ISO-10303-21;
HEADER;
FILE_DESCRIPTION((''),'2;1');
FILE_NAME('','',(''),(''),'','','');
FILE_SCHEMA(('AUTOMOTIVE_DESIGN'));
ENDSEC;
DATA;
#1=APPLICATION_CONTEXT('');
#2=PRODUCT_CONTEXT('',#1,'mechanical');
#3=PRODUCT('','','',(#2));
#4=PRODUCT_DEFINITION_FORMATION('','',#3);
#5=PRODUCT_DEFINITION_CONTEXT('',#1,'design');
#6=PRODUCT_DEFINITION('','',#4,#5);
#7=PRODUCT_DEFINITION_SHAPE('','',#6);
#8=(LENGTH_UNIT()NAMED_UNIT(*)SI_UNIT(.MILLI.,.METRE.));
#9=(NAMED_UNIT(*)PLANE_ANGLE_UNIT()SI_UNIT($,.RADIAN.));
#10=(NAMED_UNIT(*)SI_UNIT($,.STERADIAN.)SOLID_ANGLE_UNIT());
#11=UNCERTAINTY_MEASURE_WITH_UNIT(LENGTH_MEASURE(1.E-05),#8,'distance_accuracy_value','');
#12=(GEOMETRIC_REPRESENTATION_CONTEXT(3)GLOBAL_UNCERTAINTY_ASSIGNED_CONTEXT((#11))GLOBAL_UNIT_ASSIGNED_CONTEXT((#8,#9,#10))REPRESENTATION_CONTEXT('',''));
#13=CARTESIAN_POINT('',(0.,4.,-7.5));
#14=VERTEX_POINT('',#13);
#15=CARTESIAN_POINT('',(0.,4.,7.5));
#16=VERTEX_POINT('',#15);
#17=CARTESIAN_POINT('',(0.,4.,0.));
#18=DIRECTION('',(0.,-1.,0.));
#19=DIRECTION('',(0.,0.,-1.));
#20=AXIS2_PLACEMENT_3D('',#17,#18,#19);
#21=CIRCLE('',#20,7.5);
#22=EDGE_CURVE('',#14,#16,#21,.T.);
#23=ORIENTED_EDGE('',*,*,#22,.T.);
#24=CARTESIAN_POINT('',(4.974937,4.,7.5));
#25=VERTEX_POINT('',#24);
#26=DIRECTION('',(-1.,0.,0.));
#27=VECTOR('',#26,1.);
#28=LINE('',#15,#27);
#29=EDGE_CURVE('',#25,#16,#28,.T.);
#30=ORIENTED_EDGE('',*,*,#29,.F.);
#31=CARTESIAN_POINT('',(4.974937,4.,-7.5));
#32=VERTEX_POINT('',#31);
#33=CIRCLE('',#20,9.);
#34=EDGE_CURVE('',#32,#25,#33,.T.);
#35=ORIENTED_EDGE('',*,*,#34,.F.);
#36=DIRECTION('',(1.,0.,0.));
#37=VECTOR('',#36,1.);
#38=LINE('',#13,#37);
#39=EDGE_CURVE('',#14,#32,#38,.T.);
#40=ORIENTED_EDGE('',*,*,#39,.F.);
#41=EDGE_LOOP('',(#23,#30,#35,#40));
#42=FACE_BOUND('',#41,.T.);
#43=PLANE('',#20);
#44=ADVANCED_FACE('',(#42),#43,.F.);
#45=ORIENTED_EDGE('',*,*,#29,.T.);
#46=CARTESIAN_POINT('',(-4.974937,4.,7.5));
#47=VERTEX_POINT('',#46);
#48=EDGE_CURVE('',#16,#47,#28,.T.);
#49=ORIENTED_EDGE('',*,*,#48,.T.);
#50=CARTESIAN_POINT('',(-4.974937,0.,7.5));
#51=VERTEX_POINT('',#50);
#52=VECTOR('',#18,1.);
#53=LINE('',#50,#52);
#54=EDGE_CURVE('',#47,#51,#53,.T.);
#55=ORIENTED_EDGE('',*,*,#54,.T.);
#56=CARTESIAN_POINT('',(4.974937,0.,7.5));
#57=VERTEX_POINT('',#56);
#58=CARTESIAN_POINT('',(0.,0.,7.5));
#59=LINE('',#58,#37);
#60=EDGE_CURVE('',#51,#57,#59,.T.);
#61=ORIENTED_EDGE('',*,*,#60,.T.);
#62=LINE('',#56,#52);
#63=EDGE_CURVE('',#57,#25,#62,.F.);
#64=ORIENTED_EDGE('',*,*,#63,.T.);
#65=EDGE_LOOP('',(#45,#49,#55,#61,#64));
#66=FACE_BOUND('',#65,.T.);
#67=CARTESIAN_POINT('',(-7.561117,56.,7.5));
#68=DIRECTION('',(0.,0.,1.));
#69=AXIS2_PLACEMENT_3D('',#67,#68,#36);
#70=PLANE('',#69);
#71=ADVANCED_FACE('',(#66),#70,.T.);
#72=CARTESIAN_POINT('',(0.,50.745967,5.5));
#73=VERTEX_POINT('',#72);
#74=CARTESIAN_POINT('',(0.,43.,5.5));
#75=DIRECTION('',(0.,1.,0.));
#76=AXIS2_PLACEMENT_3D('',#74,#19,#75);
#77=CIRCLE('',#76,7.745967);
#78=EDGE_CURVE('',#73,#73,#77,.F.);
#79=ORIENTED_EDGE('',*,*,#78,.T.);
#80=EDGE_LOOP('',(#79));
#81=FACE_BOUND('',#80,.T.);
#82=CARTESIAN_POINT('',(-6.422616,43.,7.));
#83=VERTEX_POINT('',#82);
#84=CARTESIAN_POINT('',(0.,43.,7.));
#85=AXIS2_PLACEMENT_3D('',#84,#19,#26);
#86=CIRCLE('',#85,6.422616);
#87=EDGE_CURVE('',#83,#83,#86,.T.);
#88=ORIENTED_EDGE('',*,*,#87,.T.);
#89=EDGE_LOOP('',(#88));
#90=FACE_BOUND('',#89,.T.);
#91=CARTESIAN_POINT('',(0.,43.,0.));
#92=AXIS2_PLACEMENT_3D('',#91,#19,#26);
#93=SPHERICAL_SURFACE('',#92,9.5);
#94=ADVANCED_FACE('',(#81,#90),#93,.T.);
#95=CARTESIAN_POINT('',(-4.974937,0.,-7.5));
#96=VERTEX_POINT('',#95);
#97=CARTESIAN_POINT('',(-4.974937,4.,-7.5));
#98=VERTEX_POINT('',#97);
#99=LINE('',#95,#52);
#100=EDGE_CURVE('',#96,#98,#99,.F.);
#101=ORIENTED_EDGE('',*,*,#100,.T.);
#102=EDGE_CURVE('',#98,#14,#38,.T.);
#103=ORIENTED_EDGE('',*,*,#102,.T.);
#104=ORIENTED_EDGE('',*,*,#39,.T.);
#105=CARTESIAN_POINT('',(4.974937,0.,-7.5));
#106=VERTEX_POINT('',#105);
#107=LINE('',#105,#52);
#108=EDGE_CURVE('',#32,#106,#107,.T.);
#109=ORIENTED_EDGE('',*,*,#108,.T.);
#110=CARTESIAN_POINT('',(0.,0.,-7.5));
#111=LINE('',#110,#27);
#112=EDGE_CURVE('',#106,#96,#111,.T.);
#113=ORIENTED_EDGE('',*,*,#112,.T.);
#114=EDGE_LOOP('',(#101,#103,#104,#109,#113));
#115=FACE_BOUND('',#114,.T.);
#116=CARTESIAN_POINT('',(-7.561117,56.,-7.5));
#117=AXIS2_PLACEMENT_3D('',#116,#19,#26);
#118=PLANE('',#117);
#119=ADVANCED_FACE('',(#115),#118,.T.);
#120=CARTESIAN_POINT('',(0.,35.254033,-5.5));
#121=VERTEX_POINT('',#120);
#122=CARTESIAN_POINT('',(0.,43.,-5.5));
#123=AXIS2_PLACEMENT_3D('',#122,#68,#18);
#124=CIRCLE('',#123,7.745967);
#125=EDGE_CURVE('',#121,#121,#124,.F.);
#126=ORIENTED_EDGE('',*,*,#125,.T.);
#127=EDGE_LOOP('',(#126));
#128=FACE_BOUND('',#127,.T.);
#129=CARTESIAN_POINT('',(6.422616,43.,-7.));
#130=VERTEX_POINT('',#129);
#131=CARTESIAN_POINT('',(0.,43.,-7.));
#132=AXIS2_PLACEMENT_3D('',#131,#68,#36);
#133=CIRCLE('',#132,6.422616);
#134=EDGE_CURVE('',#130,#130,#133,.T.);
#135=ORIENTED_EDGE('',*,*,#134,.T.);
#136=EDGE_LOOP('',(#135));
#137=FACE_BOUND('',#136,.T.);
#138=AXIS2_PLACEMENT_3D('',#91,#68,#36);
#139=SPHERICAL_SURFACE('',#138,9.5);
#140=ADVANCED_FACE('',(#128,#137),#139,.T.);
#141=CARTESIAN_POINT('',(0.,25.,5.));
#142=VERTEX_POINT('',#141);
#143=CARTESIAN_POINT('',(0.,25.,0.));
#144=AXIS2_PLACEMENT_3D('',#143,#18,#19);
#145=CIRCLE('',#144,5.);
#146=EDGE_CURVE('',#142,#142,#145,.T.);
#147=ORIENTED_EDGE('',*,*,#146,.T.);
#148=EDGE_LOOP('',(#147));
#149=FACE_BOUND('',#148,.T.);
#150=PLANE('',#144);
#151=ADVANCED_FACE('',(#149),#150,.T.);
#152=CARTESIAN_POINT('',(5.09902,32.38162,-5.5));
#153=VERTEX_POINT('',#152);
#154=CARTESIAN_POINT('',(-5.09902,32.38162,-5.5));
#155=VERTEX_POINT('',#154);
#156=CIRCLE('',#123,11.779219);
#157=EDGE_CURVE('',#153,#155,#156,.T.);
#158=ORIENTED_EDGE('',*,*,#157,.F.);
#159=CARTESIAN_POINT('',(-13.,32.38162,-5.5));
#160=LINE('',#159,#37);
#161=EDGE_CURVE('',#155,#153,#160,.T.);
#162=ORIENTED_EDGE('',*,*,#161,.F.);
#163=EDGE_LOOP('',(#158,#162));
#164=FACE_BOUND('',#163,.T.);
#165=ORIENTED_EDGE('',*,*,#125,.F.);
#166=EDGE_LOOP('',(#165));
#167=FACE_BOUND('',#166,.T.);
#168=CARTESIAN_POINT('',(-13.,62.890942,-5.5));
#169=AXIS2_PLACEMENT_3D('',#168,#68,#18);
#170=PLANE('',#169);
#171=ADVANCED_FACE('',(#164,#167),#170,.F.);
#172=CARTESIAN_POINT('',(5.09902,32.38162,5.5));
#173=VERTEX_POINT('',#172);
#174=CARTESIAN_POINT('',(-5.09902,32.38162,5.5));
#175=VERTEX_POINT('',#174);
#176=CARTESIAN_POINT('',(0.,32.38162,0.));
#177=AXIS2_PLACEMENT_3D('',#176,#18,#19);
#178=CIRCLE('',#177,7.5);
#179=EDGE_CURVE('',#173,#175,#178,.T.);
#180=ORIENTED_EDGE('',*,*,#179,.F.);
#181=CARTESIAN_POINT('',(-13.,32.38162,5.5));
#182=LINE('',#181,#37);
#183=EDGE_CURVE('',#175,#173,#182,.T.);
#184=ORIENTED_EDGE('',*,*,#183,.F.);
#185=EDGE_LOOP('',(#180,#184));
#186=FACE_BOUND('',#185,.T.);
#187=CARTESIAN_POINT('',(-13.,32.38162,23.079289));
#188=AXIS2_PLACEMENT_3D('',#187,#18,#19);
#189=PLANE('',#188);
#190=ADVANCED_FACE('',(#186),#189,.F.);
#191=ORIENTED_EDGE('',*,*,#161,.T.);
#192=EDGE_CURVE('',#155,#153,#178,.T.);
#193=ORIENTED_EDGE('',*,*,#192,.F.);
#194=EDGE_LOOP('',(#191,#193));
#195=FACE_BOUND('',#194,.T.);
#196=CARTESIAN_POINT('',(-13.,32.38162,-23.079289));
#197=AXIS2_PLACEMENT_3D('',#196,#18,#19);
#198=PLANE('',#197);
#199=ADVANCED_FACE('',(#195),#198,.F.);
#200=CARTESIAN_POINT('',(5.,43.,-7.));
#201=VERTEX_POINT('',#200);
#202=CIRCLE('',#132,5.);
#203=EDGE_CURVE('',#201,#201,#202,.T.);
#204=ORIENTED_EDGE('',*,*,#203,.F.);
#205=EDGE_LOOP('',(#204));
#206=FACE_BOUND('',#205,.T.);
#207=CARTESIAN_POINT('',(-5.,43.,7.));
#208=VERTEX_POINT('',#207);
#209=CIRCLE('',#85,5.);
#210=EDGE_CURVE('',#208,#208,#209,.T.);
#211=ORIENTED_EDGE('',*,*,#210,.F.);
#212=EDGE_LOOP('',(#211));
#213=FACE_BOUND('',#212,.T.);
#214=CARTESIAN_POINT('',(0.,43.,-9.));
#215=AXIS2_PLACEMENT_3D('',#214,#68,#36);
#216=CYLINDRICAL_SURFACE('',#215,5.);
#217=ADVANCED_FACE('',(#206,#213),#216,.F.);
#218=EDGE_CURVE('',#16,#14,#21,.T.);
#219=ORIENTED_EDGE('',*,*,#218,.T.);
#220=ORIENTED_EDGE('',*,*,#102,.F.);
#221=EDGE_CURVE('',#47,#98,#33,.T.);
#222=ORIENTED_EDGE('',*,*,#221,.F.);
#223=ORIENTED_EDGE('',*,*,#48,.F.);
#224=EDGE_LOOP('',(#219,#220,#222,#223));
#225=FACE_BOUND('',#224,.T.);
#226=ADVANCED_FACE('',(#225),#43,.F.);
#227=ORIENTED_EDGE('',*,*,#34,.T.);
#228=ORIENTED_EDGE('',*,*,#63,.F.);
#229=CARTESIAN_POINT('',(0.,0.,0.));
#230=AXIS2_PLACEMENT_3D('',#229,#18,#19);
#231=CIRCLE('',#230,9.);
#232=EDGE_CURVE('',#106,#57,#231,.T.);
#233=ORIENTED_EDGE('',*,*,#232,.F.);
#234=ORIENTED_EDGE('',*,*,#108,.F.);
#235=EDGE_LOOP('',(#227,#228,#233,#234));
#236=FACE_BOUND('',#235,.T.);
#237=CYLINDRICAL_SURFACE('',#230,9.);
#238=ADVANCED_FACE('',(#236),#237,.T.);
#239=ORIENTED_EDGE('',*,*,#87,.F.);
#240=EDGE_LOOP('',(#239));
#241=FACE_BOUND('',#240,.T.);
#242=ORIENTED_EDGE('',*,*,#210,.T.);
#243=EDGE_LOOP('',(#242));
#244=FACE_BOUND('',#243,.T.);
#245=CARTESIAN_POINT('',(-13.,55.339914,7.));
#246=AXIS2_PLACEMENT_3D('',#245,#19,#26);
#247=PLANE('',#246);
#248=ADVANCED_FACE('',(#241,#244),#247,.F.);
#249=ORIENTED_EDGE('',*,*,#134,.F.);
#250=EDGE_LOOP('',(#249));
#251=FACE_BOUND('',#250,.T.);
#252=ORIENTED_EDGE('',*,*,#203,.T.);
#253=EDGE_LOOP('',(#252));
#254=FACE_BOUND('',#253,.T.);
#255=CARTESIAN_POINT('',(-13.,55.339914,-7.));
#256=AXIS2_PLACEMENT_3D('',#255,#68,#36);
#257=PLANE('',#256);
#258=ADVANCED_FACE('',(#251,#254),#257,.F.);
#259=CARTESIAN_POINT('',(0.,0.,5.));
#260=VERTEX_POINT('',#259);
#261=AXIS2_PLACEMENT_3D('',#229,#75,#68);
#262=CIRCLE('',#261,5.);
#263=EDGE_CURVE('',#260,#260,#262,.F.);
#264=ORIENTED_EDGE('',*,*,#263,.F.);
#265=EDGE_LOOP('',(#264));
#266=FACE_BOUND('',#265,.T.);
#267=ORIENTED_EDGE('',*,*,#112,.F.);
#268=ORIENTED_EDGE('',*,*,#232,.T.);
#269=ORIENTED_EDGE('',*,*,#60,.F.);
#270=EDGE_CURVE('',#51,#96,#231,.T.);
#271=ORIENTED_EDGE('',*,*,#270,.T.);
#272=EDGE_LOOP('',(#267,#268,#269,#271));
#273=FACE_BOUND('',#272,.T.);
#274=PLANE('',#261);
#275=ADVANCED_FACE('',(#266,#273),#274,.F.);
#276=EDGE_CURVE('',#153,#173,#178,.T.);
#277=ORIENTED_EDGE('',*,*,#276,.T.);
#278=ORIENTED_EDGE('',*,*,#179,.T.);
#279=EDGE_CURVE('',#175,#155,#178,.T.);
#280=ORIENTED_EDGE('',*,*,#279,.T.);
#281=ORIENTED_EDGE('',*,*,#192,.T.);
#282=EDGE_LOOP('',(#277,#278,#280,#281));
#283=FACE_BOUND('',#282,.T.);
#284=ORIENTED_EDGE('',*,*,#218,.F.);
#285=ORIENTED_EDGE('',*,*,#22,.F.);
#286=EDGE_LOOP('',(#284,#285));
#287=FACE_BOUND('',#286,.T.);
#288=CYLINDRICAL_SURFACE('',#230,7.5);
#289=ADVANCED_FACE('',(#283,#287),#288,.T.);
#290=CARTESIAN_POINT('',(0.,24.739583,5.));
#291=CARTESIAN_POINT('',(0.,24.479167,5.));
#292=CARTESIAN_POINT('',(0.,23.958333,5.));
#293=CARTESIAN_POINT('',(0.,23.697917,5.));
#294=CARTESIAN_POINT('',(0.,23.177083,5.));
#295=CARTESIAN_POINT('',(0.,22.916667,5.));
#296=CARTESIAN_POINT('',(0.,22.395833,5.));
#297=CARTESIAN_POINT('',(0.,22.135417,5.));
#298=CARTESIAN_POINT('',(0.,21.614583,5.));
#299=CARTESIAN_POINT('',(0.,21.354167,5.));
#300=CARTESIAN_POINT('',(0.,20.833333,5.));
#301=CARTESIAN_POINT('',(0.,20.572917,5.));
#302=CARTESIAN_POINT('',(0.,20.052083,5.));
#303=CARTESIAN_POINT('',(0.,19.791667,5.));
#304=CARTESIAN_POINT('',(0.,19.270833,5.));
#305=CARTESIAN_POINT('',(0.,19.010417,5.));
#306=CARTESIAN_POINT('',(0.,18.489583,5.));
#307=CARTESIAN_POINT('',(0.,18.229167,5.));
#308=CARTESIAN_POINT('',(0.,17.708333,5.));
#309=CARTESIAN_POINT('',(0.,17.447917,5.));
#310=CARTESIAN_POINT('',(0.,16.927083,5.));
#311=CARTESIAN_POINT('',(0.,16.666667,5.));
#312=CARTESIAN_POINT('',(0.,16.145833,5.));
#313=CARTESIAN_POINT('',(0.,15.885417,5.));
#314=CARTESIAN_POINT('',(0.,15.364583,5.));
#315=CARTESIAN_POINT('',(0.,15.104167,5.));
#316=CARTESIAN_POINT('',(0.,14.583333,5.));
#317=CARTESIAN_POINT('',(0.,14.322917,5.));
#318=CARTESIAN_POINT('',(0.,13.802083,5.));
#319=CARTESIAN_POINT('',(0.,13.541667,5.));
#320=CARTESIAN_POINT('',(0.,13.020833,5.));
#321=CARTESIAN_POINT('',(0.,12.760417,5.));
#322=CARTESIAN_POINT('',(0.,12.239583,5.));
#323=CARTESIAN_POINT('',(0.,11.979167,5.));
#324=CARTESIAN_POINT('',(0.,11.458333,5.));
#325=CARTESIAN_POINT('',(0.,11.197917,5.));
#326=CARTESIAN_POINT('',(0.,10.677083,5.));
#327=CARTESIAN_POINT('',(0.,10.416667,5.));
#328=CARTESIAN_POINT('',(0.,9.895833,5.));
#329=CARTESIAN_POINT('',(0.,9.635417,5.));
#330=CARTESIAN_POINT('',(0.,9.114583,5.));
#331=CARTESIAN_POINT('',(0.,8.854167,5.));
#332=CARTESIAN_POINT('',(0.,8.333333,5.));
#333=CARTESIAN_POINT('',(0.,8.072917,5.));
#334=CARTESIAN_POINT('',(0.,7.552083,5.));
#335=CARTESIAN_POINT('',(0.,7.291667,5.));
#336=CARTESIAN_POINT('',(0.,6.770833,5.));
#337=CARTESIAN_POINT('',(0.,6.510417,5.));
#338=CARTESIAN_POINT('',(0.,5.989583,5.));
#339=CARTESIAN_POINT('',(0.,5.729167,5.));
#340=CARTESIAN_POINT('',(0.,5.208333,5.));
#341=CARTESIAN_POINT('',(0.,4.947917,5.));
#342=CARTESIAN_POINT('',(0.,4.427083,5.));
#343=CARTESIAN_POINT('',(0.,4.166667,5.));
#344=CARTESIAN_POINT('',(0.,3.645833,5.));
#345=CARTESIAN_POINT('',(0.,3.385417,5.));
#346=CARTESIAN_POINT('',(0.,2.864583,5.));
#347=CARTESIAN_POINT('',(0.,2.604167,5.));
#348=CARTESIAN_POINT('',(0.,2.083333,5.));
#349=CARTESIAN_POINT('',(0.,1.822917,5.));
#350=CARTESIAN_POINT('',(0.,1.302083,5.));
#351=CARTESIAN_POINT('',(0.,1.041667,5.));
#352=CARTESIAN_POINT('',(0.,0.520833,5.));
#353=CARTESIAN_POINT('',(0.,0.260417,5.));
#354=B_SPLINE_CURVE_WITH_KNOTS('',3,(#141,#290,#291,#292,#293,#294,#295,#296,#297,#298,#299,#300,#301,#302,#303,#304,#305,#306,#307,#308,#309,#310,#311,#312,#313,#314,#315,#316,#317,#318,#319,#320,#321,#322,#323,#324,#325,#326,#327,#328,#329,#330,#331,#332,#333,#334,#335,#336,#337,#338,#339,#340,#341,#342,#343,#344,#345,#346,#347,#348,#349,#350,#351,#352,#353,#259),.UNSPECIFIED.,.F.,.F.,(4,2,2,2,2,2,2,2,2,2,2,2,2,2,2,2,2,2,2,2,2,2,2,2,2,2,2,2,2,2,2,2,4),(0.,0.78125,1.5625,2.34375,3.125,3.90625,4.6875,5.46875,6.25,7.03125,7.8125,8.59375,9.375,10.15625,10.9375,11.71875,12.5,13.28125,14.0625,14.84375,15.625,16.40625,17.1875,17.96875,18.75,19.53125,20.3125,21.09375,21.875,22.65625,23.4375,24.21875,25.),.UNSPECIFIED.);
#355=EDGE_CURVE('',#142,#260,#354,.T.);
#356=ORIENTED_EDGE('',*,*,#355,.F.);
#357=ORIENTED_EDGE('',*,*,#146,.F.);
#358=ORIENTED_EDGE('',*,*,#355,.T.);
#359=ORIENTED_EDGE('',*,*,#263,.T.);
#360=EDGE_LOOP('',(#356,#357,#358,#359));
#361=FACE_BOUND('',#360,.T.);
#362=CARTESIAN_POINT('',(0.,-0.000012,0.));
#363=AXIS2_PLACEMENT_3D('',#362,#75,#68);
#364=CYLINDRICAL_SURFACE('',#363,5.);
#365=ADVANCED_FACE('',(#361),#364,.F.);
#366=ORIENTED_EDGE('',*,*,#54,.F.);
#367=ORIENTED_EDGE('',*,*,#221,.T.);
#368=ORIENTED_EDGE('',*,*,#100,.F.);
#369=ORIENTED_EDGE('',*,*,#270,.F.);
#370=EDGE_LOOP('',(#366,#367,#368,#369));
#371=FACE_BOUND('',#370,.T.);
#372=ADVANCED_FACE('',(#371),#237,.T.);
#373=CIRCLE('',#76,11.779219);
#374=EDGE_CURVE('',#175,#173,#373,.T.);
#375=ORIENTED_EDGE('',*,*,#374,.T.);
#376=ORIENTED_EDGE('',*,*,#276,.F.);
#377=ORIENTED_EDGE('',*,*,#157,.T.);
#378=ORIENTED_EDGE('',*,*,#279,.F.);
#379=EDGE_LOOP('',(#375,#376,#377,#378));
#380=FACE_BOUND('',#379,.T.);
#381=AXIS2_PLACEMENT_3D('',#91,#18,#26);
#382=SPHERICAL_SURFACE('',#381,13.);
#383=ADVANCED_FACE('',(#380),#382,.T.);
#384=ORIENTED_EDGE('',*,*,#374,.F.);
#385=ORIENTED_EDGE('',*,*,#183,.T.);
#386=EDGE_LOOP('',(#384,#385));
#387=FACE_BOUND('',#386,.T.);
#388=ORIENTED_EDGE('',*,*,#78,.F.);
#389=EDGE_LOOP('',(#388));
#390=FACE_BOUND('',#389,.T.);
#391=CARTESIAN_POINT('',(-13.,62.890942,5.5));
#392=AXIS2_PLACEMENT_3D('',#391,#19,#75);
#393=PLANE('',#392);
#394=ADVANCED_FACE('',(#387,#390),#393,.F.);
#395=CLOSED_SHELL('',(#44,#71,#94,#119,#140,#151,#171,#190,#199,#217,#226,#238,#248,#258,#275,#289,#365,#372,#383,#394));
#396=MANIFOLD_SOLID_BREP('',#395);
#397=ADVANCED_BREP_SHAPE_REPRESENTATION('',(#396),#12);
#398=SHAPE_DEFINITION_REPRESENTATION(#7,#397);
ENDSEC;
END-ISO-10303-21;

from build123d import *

# Parameters (mm, degrees)
CUT_EXTRUDE3_DEPTH      = 59.940648113
CUT_EXTRUDE3_DEPTH_BACK = 59.940648113
SKETCH3_W               = 17.579289035
SKETCH3_H               = 30.509322749
CUT_EXTRUDE4_DEPTH      = 59.268773799
CUT_EXTRUDE4_DEPTH_BACK = 59.268773799
SKETCH4_W               = 14.932737824
SKETCH4_H               = 19.875765969
CUT_EXTRUDE5_DEPTH      = 60.674114991
CUT_EXTRUDE5_DEPTH_BACK = 60.674114991
SKETCH5_R               = 5
CUT_EXTRUDE6_DEPTH      = 59.189346104
CUT_EXTRUDE6_DEPTH_BACK = 59.189346104
SKETCH6_W               = 15.994671042
SKETCH6_H               = 5.292782054
CUT_EXTRUDE7_DEPTH      = 58.976288256
CUT_EXTRUDE7_DEPTH_BACK = 25
SKETCH7_R               = 5


with BuildPart() as part:
    # Sketch1 → Revolve5 (revolve)
    with BuildSketch(Plane.XY):
        with BuildLine():
            Line((0, 52.5), (0, 53.5))
            ThreePointArc((0, 53.5), (-10.5, 43), (0, 32.5))
            Line((0, 32.5), (0, 33.5))
            ThreePointArc((0, 33.5), (-9.5, 43), (0, 52.5))
        make_face()
    revolve(axis=Axis((0, 0, 0), (0, 1, 0)))

    # Sketch1<7> → Revolve6 (revolve)
    with BuildSketch(Plane.XY):
        with BuildLine():
            Line((-7.5, 32.381619709), (-7.5, 4))
            Line((-7.5, 4), (-9, 4))
            Line((-9, 4), (-9, 0))
            Line((-9, 0), (0, 0))
            Line((0, 0), (0, 32.5))
            ThreePointArc((0, 32.5), (-10.5, 43), (0, 53.5))
            Line((0, 53.5), (0, 56))
            ThreePointArc((0, 56), (-12.39029749, 46.934530227), (-7.5, 32.381619709))
        make_face()
    revolve(axis=Axis((0, 0, 0), (0, 1, 0)))

    # Sketch3 → Cut-Extrude3 (cut, two sides: drawn at the far end of the back side and taken through both)
    with BuildSketch(Plane(origin=(0, 0, 0), x_dir=(0, 0, -1), z_dir=(1, 0, 0)).offset(-CUT_EXTRUDE3_DEPTH_BACK)):
        with Locations((-14.289644518, 47.636281084)):
            Rectangle(SKETCH3_W, SKETCH3_H)
        with Locations((14.289644518, 47.636281084)):
            Rectangle(SKETCH3_W, SKETCH3_H)
    extrude(amount=CUT_EXTRUDE3_DEPTH + CUT_EXTRUDE3_DEPTH_BACK, mode=Mode.SUBTRACT)

    # Sketch1<8> → Revolve7 (revolve)
    with BuildSketch(Plane.XY):
        with BuildLine():
            Line((0, 33.5), (0, 52.5))
            ThreePointArc((0, 52.5), (-9.5, 43), (0, 33.5))
        make_face()
    revolve(axis=Axis((0, 0, 0), (0, 1, 0)))

    # Sketch4 → Cut-Extrude4 (cut, two sides: drawn at the far end of the back side and taken through both)
    with BuildSketch(Plane(origin=(0, 0, 0), x_dir=(0, 0, -1), z_dir=(1, 0, 0)).offset(-CUT_EXTRUDE4_DEPTH_BACK)):
        with Locations((-14.466368912, 45.402031304)):
            Rectangle(SKETCH4_W, SKETCH4_H)
        with Locations((14.466368912, 45.402031304)):
            Rectangle(SKETCH4_W, SKETCH4_H)
    extrude(amount=CUT_EXTRUDE4_DEPTH + CUT_EXTRUDE4_DEPTH_BACK, mode=Mode.SUBTRACT)

    # Sketch5 → Cut-Extrude5 (cut, two sides: drawn at the far end of the back side and taken through both)
    with BuildSketch(Plane.XY.offset(7).offset(-CUT_EXTRUDE5_DEPTH_BACK)):
        with Locations((0, 43)):
            Circle(SKETCH5_R)
    extrude(amount=CUT_EXTRUDE5_DEPTH + CUT_EXTRUDE5_DEPTH_BACK, mode=Mode.SUBTRACT)

    # Sketch6 → Cut-Extrude6 (cut, two sides: drawn at the far end of the back side and taken through both)
    with BuildSketch(Plane(origin=(0, 0, 0), x_dir=(1, 0, 0), z_dir=(0, 1, 0)).offset(-CUT_EXTRUDE6_DEPTH_BACK)):
        with Locations((0.436218301, 10.146391027)):
            Rectangle(SKETCH6_W, SKETCH6_H)
        with Locations((0.436218301, -10.146391027)):
            Rectangle(SKETCH6_W, SKETCH6_H)
    extrude(amount=CUT_EXTRUDE6_DEPTH + CUT_EXTRUDE6_DEPTH_BACK, mode=Mode.SUBTRACT)

    # Sketch7 → Cut-Extrude7 (cut, two sides: drawn at the far end of the back side and taken through both)
    with BuildSketch(Plane.XZ.offset(-CUT_EXTRUDE7_DEPTH_BACK)):
        Circle(SKETCH7_R)
    extrude(amount=CUT_EXTRUDE7_DEPTH + CUT_EXTRUDE7_DEPTH_BACK, mode=Mode.SUBTRACT)


solid = part.part
